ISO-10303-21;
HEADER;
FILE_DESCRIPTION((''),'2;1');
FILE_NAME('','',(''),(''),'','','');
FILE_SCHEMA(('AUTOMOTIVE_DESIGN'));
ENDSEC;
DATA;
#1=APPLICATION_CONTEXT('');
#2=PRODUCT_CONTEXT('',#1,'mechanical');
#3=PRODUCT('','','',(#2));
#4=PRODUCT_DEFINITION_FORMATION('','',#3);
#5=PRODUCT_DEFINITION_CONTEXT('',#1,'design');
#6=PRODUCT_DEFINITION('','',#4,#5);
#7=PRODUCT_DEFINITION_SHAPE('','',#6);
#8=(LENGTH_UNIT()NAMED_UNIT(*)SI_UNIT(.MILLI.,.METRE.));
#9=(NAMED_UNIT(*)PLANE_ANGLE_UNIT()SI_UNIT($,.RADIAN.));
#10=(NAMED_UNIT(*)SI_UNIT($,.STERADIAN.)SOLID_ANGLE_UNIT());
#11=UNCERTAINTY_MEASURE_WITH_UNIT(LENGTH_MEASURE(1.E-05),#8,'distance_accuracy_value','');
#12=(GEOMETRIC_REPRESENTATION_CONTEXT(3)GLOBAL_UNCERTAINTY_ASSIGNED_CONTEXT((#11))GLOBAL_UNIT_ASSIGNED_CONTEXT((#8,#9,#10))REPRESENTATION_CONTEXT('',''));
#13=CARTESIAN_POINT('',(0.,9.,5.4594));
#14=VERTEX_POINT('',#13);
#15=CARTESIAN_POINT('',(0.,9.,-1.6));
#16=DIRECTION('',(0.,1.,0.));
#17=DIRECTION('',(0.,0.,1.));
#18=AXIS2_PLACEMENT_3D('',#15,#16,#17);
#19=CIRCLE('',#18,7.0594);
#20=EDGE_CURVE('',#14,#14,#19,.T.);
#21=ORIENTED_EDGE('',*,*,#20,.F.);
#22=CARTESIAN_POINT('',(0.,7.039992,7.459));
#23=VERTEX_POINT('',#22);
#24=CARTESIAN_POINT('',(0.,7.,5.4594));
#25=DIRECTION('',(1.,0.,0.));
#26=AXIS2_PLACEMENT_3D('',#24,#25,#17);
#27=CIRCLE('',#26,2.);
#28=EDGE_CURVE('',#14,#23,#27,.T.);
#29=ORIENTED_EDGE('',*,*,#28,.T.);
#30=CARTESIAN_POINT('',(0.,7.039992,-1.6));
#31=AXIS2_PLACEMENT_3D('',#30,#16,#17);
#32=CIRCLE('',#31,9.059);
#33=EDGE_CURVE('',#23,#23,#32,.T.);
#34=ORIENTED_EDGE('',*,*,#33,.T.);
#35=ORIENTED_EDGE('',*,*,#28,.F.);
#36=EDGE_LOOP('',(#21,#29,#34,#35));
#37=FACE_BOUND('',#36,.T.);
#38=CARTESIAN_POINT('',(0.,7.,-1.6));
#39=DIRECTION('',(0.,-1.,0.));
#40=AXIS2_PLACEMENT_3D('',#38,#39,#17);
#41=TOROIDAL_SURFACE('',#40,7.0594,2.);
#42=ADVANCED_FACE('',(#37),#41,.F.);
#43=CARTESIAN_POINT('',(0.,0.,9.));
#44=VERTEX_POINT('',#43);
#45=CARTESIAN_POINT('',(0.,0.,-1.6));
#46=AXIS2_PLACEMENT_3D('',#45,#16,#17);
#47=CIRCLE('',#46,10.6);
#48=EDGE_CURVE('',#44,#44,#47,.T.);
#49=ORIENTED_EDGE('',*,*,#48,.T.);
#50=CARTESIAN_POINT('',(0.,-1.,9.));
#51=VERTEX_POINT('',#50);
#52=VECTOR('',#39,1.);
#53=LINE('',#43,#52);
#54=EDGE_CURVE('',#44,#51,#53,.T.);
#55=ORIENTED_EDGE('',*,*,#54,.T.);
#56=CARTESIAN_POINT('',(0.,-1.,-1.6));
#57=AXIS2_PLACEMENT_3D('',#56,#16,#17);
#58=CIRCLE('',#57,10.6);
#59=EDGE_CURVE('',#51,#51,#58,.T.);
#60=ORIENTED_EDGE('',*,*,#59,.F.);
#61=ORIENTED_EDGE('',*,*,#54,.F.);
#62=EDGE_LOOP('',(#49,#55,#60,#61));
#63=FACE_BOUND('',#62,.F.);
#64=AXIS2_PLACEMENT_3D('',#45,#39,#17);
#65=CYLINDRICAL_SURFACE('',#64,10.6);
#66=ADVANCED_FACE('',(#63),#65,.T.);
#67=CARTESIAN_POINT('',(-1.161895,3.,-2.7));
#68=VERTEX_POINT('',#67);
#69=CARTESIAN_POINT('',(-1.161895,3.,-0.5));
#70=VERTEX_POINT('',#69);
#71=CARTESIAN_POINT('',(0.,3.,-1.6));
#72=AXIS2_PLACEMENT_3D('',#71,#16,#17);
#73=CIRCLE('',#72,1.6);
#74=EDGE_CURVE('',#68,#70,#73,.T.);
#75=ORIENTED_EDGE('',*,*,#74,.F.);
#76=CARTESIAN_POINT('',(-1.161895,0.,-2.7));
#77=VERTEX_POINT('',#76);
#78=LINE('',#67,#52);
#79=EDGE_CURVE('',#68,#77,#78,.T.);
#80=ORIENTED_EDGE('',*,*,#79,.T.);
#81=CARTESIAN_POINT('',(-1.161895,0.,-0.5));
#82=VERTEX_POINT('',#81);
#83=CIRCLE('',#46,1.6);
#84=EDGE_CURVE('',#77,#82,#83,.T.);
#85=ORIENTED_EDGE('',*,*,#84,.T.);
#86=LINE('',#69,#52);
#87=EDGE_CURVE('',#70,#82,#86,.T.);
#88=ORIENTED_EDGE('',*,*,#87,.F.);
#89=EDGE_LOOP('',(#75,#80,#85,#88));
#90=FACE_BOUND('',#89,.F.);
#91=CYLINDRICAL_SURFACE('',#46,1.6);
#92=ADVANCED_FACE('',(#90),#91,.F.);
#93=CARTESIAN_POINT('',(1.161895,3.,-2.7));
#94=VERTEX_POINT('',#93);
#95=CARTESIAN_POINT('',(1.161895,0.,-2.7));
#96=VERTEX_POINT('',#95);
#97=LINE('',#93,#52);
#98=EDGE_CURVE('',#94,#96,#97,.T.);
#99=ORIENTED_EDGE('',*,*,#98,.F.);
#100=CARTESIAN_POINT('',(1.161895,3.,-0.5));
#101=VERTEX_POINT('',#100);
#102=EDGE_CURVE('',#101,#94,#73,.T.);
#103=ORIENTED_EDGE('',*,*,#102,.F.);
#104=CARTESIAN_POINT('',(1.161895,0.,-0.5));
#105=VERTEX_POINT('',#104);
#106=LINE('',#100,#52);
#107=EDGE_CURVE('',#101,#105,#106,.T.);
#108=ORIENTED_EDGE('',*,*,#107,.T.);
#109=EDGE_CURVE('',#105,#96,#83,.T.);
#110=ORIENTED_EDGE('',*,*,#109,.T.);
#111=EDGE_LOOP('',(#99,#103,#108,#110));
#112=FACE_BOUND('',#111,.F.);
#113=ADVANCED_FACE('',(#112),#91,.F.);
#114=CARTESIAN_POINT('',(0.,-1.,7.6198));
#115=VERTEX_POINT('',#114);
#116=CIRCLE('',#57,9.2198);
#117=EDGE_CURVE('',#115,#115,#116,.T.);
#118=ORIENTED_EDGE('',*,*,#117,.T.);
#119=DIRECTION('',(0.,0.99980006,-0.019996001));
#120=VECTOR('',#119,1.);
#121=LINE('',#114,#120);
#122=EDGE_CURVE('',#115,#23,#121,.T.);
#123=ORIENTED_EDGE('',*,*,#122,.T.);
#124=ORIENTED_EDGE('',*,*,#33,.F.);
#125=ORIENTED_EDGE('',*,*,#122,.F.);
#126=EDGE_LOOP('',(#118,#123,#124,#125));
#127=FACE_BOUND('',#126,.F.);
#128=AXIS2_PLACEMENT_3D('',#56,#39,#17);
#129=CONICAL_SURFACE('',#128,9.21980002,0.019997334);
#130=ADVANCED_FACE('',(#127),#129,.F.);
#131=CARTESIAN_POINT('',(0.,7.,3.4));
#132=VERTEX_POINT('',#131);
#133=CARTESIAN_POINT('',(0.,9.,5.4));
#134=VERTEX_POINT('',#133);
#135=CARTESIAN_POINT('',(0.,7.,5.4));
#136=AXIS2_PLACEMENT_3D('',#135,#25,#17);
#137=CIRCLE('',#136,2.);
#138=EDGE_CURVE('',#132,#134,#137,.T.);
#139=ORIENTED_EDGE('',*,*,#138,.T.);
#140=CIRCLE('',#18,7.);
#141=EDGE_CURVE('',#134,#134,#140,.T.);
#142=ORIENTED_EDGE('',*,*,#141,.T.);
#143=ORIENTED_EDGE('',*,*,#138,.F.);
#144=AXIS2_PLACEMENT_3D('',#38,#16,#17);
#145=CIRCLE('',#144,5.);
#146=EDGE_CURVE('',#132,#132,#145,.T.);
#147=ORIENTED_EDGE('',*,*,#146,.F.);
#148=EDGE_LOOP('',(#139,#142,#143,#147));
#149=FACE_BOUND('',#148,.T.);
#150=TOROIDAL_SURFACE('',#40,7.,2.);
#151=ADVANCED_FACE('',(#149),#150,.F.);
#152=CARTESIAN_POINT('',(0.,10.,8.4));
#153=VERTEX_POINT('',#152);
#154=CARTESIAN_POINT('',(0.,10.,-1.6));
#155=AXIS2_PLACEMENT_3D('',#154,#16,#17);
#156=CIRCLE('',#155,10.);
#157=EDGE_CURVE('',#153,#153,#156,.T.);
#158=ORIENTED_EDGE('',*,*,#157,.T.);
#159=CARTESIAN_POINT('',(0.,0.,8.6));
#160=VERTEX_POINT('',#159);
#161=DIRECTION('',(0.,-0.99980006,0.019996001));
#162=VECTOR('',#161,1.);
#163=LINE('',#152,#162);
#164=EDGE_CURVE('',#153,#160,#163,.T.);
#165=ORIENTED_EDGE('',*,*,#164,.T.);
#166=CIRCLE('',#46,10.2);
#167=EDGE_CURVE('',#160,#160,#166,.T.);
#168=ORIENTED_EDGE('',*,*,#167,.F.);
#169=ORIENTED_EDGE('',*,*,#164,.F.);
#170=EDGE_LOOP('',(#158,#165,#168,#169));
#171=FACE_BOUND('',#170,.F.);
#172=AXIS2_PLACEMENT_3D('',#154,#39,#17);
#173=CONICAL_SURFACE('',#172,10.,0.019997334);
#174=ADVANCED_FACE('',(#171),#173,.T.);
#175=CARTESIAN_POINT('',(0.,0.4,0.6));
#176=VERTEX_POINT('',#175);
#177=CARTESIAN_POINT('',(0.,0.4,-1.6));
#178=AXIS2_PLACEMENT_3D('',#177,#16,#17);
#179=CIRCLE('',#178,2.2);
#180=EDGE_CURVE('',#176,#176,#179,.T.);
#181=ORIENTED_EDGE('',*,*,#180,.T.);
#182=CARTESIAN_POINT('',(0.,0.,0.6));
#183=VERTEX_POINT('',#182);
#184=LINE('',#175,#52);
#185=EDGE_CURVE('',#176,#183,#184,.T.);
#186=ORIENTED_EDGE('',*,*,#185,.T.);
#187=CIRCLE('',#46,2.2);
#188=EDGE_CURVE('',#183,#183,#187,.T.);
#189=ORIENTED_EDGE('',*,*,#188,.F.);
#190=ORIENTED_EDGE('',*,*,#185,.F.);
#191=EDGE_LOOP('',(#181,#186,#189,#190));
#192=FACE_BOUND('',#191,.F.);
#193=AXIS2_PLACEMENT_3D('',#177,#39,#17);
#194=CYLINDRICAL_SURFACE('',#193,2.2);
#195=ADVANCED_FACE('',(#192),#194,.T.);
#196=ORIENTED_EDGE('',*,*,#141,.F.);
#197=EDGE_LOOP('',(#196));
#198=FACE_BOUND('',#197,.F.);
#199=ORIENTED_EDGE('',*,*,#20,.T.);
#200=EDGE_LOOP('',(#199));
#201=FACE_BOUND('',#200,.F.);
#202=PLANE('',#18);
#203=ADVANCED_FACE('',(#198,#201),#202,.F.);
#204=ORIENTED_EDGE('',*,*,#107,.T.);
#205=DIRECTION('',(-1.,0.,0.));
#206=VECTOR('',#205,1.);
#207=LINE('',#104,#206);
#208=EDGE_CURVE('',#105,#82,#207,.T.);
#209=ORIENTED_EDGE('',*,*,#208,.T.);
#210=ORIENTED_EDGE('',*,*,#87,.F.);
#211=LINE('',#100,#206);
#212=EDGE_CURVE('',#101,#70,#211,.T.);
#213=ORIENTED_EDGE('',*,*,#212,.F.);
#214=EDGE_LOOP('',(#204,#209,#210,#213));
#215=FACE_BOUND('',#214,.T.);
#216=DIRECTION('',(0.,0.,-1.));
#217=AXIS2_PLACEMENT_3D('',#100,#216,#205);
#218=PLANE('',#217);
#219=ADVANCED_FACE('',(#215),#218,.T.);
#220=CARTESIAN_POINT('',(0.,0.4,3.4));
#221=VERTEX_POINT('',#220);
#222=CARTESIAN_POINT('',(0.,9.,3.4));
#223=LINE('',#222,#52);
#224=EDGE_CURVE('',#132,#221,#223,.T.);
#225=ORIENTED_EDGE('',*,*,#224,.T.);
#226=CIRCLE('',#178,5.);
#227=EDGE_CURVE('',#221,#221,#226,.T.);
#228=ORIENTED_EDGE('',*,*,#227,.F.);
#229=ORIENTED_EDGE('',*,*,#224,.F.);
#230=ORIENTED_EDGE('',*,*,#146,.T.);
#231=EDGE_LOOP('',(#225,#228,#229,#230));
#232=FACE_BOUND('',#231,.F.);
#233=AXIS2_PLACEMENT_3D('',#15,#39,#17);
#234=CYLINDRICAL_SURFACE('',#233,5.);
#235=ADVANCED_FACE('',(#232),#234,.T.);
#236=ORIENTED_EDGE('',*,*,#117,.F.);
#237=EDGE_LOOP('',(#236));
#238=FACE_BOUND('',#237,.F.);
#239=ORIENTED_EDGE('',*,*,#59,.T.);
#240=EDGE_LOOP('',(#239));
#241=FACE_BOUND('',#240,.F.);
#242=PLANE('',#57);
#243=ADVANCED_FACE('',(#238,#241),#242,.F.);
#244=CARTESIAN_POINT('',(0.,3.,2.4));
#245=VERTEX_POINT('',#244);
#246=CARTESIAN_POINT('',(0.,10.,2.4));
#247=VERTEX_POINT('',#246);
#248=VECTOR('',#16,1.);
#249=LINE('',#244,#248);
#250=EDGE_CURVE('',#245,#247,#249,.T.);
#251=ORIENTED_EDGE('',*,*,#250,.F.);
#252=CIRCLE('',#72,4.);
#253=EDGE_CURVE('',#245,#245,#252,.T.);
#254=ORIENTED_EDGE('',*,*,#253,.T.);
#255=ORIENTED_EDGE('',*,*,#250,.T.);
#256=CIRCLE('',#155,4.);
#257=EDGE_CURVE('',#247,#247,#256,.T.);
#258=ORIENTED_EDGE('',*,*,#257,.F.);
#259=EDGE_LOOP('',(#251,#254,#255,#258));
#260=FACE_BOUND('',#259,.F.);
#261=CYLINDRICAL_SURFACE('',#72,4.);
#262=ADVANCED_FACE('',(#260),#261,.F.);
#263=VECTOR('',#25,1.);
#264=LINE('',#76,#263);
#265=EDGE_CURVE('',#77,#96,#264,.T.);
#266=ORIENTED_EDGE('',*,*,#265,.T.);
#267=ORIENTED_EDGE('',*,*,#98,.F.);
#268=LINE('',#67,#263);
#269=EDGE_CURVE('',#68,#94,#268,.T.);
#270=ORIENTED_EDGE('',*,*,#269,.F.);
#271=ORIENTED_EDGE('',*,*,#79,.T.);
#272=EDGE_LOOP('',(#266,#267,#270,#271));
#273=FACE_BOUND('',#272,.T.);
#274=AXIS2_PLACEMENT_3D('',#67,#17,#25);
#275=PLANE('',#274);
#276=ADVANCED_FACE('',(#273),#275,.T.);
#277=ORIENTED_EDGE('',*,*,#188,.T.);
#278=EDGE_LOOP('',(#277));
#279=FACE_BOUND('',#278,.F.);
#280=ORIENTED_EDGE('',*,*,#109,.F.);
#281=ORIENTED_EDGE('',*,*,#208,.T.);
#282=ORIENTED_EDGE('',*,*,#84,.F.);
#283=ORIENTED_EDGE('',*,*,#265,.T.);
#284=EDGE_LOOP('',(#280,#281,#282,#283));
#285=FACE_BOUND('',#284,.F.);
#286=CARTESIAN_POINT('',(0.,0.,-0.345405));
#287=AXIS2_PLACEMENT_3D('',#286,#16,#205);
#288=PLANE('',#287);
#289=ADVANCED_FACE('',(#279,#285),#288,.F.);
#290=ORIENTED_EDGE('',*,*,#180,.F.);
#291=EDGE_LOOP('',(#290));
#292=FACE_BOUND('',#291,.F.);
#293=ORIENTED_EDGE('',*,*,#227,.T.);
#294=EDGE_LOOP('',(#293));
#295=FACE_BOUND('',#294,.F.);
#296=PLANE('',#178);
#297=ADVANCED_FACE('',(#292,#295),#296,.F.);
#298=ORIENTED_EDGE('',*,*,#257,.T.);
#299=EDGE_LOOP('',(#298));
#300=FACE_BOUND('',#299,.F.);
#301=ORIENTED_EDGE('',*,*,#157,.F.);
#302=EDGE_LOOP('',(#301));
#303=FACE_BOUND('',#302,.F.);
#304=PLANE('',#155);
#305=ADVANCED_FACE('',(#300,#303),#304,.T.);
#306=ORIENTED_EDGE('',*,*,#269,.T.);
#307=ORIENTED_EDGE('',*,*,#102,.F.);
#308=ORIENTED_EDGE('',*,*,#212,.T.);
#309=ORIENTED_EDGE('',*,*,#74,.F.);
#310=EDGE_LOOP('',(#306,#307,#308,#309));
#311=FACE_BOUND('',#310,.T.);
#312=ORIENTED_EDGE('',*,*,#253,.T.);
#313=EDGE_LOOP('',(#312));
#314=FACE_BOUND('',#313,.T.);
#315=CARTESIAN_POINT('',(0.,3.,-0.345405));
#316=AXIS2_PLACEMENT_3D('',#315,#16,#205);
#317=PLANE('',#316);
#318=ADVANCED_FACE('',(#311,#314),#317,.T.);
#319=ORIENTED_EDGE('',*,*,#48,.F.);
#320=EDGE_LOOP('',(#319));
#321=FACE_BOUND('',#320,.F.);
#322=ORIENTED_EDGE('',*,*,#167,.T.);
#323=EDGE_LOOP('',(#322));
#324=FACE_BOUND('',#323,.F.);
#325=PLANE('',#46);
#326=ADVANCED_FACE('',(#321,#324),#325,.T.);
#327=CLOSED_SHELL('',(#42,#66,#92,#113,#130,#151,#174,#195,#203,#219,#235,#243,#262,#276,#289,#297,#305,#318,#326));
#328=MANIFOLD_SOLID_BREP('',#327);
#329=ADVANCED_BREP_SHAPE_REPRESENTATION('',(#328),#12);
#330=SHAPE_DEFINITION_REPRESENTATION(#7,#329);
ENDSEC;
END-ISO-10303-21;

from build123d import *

# Parameters (mm, degrees)
F3_DEPTH = 3
F4_R     = 2


with BuildPart() as f1:
    # F0 (on Right) → F1 (revolve)
    with BuildSketch(Plane.YZ):
        Polygon((0, 0.6), (0, 0), (3, 0), (3, 2.4), (10, 2.4), (10, 8.4), (0, 8.6), (0, 9), (-1, 9), (-1, 7.61980002), (9, 7.41980002), (9, 3.4), (0.4, 3.4), (0.4, 0.6), align=None)
    revolve(axis=Axis((0, 5.8202521418, -1.6), (0, 1, 0)))

    # F2 (on face) → F3 (join, through all)
    with BuildSketch(Plane(origin=(0, 3, 0), x_dir=(-1, 0, 0), z_dir=(0, 1, 0))):
        with BuildLine():
            Line((-1.1618950039, -0.5), (1.1618950039, -0.5))
            ThreePointArc((1.1618950039, -0.5), (0, 0), (-1.1618950039, -0.5))
        make_face()
        with BuildLine():
            ThreePointArc((-1.1618950039, -2.7), (0, -3.2), (1.1618950039, -2.7))
            Line((1.1618950039, -2.7), (-1.1618950039, -2.7))
        make_face()
    extrude(amount=-F3_DEPTH)

    # F4
    f4_edges = [f1.edges().sort_by_distance(p)[0] for p in [
        (0, 9, -10.6198),
        (0, 9, -6.6),
    ]]
    fillet(f4_edges, radius=F4_R)


solid = f1.part
